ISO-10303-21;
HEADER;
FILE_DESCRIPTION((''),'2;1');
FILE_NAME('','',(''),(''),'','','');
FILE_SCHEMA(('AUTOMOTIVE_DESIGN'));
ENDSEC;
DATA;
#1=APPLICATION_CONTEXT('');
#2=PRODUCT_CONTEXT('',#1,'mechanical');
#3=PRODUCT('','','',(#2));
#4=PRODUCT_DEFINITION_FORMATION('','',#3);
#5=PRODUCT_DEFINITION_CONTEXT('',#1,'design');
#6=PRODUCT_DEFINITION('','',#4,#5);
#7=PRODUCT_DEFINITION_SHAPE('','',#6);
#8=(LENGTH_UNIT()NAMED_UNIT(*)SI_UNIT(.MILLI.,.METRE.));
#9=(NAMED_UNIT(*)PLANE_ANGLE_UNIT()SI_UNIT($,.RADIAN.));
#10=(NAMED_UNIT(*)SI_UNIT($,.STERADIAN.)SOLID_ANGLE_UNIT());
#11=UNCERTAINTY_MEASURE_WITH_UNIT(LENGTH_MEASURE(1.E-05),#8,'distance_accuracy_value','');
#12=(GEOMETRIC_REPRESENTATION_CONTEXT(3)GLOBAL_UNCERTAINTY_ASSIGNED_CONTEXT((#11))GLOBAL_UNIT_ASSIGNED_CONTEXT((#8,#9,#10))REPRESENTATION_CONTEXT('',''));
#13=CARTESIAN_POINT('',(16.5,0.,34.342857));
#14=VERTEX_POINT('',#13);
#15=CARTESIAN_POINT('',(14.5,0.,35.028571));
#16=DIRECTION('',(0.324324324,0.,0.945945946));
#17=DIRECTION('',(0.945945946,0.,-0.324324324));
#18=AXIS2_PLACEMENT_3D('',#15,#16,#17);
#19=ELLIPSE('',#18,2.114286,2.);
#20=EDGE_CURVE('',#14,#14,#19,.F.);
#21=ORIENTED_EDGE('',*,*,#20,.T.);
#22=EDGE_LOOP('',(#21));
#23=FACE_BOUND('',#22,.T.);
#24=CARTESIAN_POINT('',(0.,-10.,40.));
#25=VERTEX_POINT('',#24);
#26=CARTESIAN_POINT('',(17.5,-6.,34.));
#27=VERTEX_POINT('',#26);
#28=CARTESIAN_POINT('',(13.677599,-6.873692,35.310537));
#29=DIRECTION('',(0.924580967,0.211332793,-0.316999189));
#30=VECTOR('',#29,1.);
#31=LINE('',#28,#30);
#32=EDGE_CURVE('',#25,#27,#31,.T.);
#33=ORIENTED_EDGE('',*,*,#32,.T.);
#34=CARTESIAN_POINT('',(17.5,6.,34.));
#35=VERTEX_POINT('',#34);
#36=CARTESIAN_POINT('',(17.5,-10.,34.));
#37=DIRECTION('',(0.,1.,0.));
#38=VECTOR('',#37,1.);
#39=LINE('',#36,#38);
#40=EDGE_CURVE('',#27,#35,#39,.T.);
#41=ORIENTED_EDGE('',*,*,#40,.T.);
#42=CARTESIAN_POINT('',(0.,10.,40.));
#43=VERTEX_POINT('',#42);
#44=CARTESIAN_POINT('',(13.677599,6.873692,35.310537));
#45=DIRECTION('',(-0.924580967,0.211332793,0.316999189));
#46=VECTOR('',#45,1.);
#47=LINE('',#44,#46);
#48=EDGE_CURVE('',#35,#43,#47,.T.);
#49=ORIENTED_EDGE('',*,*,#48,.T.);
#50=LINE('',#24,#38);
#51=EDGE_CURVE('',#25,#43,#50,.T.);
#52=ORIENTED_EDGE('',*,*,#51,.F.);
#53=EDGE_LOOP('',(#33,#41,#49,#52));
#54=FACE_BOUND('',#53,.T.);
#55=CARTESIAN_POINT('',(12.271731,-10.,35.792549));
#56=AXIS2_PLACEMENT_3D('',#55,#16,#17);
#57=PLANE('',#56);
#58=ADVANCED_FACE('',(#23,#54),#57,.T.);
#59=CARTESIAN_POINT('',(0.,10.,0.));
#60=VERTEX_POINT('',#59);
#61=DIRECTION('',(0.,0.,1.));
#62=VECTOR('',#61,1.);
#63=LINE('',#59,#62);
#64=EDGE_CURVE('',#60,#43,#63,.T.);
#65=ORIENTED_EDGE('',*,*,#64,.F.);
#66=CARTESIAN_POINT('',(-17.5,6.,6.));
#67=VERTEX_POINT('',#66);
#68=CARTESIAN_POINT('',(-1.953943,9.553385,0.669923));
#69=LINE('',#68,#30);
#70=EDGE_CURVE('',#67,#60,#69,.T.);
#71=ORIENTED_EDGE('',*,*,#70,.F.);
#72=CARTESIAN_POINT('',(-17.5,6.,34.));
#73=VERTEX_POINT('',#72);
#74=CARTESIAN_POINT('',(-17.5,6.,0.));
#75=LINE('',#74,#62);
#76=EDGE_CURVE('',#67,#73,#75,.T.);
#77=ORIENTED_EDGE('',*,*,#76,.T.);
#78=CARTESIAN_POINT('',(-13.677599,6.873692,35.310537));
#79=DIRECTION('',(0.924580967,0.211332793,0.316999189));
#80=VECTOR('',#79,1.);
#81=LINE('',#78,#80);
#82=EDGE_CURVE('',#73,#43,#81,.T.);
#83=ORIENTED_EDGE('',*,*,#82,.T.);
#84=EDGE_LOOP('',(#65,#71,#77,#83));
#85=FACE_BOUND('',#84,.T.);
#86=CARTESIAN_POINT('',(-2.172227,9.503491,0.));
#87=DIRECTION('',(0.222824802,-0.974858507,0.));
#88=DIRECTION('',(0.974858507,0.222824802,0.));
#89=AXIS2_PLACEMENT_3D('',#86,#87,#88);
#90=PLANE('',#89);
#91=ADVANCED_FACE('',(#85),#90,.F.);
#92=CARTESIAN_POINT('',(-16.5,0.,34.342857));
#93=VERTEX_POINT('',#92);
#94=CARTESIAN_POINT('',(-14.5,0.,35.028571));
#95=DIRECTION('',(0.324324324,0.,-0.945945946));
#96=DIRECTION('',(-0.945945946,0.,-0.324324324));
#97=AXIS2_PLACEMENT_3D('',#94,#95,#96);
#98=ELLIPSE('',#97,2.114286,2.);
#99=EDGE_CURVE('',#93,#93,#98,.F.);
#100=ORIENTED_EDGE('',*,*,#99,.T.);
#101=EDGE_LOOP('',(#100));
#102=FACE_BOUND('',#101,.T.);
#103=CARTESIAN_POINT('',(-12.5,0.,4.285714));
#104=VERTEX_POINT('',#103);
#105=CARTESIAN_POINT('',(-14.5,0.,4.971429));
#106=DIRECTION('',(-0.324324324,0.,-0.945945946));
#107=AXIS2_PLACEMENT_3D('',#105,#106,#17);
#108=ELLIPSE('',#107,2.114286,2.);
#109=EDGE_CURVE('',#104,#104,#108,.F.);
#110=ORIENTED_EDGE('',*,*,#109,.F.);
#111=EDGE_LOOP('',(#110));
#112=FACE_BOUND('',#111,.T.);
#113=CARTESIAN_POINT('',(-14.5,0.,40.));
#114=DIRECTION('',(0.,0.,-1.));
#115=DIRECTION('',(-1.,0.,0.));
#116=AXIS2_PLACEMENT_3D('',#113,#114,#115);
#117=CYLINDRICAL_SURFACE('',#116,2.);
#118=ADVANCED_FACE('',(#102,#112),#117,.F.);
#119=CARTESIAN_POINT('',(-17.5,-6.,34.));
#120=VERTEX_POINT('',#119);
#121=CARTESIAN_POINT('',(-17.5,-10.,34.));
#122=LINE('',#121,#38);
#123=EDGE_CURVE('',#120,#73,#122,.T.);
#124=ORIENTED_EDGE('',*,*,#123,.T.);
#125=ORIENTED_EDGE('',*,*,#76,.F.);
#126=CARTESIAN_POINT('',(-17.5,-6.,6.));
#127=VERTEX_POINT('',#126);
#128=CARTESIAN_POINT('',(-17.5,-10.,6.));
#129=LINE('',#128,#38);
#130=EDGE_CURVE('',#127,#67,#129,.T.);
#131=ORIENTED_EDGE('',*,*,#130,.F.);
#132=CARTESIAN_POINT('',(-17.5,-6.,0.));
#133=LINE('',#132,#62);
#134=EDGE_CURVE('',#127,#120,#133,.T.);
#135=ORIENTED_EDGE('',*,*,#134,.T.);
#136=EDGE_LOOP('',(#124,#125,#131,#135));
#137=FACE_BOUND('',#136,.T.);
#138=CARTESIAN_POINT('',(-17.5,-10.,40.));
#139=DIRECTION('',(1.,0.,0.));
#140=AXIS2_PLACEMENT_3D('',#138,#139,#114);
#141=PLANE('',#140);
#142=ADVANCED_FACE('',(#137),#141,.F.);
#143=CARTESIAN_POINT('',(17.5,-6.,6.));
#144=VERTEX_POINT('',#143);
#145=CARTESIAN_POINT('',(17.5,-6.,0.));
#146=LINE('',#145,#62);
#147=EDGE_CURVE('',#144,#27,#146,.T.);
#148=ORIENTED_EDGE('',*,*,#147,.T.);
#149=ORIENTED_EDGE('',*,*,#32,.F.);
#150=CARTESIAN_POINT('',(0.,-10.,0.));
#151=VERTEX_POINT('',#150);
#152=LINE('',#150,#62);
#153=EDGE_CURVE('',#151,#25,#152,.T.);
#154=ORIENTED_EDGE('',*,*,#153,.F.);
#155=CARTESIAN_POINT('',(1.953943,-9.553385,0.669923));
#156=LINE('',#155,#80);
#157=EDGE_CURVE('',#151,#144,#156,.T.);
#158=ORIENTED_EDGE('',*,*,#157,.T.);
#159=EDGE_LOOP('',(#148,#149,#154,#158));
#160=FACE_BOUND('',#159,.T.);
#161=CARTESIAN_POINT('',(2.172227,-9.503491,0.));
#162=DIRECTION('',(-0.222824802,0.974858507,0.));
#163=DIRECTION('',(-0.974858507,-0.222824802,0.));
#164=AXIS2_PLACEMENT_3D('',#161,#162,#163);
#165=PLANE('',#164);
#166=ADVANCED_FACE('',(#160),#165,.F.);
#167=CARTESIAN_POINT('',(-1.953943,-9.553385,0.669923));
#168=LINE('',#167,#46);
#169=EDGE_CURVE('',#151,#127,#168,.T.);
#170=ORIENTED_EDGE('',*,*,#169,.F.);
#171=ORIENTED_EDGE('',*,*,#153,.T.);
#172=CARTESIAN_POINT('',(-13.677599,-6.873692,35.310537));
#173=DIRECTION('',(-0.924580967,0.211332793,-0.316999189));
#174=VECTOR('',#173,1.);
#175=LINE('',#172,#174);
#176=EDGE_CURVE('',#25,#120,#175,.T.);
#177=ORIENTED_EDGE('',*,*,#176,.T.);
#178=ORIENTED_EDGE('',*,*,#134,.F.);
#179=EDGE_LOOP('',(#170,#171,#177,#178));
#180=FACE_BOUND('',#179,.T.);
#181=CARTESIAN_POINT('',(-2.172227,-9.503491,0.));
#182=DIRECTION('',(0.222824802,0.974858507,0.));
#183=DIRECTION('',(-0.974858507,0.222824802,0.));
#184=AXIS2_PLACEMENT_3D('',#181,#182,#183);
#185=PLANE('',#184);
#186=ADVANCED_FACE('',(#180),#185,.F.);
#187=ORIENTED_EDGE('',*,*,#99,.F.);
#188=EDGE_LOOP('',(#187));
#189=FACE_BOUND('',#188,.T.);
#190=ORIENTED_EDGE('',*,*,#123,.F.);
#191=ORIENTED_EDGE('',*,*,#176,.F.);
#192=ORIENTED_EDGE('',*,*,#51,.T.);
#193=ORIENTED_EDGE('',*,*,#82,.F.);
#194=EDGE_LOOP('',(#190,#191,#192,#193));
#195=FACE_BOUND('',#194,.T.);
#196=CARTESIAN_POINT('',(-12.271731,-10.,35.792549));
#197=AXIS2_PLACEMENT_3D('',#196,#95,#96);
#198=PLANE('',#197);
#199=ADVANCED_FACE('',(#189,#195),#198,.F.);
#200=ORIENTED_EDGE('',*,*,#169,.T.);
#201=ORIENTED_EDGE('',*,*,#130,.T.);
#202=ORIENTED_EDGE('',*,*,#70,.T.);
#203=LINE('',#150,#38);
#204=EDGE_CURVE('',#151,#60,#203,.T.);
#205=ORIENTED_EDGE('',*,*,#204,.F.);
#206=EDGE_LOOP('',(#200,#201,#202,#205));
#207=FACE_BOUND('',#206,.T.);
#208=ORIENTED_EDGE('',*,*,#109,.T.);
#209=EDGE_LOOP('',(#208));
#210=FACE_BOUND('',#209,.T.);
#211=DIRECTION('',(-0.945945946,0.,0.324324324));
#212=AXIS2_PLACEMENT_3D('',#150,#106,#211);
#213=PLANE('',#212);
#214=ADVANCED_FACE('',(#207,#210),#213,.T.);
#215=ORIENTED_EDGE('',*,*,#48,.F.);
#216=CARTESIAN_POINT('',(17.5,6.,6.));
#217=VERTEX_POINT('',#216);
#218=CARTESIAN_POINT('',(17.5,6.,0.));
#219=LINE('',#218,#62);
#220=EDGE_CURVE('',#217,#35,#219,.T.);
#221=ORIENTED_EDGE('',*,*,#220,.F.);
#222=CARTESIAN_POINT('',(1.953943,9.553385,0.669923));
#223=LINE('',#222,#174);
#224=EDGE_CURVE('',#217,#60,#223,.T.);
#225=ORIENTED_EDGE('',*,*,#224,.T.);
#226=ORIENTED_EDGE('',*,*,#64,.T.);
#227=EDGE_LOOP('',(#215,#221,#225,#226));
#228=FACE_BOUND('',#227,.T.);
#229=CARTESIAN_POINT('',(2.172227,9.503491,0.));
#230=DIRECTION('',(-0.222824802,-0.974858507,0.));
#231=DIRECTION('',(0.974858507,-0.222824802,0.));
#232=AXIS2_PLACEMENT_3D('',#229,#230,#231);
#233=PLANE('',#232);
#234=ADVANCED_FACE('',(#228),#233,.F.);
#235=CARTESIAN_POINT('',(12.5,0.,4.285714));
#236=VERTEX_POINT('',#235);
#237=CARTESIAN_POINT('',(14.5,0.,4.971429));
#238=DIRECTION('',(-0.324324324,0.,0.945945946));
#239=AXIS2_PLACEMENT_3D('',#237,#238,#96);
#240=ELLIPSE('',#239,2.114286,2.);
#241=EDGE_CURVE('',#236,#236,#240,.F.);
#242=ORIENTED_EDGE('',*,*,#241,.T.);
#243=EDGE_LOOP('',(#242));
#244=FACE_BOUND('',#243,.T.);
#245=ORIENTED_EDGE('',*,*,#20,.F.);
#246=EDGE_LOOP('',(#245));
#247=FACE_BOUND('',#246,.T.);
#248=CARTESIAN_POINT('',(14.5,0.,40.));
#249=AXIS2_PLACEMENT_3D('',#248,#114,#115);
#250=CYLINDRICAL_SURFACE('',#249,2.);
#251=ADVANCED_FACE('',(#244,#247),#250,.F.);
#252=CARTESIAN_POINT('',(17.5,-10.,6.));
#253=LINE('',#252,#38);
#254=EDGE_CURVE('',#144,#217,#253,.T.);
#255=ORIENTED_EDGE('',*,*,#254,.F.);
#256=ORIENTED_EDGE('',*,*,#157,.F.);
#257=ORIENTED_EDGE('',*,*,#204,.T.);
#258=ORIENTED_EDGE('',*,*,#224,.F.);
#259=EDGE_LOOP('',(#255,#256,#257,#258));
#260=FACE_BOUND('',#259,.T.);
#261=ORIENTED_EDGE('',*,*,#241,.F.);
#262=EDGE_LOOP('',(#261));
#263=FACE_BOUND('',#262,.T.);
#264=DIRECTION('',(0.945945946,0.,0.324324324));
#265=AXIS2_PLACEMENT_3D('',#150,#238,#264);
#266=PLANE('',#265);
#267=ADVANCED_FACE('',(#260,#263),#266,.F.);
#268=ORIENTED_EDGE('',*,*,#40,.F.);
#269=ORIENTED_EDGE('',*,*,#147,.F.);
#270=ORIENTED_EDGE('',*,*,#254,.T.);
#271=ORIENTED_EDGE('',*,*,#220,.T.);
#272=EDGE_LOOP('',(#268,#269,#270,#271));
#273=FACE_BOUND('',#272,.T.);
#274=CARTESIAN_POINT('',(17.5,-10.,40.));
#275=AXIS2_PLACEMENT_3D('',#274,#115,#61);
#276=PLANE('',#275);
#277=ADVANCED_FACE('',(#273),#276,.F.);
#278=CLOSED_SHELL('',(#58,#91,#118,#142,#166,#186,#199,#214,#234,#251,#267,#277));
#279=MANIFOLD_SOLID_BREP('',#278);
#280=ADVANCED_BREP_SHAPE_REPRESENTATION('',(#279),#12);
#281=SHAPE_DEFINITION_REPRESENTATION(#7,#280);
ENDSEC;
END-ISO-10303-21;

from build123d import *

# Parameters (mm, degrees)
SKETCH1_W               = 35
SKETCH1_H               = 20
BOSS_EXTRUDE1_DEPTH     = 40
CUT_EXTRUDE1_DEPTH      = 40
CUT_EXTRUDE2_DEPTH      = 45.791182168
CUT_EXTRUDE2_DEPTH_BACK = 45.791182168
SKETCH6_R               = 2
CUT_EXTRUDE3_DEPTH      = 45.791182168


with BuildPart() as part:
    # Sketch1 → Boss-Extrude1 (new body)
    with BuildSketch(Plane.XY):
        Rectangle(SKETCH1_W, SKETCH1_H)
    extrude(amount=BOSS_EXTRUDE1_DEPTH)

    # Sketch3 → Cut-Extrude1 (cut)
    with BuildSketch(Plane.XY.offset(40)):
        Polygon((-17.5, 10), (-17.5, 6), (0, 10), align=None)
        Polygon((17.5, 10), (0, 10), (17.5, 6), align=None)
        Polygon((17.5, -6), (0, -10), (17.5, -10), align=None)
        Polygon((0, -10), (-17.5, -6), (-17.5, -10), align=None)
    extrude(amount=-CUT_EXTRUDE1_DEPTH, mode=Mode.SUBTRACT)

    # Sketch5 → Cut-Extrude2 (cut, two sides: drawn at the far end of the back side and taken through both)
    with BuildSketch(Plane(origin=(0, 0, 0), x_dir=(1, 0, 0), z_dir=(0, 1, 0)).offset(-CUT_EXTRUDE2_DEPTH_BACK)):
        Polygon((-17.5, 0), (0, 0), (-17.5, -6), align=None)
        Polygon((17.5, -6), (17.5, 0), (0, 0), align=None)
        Polygon((17.5, -40), (0, -40), (17.5, -34), align=None)
        Polygon((-17.5, -40), (-17.5, -34), (0, -40), align=None)
    extrude(amount=CUT_EXTRUDE2_DEPTH + CUT_EXTRUDE2_DEPTH_BACK, mode=Mode.SUBTRACT)

    # Sketch6 → Cut-Extrude3 (cut, through all)
    with BuildSketch(Plane.XY):
        with Locations(Location((-14.5, 0, 0), (0, 0, 180))):
            Circle(SKETCH6_R)
        with Locations(Location((14.5, 0, 0), (0, 0, 180))):
            Circle(SKETCH6_R)
    extrude(amount=CUT_EXTRUDE3_DEPTH, mode=Mode.SUBTRACT)


solid = part.part
